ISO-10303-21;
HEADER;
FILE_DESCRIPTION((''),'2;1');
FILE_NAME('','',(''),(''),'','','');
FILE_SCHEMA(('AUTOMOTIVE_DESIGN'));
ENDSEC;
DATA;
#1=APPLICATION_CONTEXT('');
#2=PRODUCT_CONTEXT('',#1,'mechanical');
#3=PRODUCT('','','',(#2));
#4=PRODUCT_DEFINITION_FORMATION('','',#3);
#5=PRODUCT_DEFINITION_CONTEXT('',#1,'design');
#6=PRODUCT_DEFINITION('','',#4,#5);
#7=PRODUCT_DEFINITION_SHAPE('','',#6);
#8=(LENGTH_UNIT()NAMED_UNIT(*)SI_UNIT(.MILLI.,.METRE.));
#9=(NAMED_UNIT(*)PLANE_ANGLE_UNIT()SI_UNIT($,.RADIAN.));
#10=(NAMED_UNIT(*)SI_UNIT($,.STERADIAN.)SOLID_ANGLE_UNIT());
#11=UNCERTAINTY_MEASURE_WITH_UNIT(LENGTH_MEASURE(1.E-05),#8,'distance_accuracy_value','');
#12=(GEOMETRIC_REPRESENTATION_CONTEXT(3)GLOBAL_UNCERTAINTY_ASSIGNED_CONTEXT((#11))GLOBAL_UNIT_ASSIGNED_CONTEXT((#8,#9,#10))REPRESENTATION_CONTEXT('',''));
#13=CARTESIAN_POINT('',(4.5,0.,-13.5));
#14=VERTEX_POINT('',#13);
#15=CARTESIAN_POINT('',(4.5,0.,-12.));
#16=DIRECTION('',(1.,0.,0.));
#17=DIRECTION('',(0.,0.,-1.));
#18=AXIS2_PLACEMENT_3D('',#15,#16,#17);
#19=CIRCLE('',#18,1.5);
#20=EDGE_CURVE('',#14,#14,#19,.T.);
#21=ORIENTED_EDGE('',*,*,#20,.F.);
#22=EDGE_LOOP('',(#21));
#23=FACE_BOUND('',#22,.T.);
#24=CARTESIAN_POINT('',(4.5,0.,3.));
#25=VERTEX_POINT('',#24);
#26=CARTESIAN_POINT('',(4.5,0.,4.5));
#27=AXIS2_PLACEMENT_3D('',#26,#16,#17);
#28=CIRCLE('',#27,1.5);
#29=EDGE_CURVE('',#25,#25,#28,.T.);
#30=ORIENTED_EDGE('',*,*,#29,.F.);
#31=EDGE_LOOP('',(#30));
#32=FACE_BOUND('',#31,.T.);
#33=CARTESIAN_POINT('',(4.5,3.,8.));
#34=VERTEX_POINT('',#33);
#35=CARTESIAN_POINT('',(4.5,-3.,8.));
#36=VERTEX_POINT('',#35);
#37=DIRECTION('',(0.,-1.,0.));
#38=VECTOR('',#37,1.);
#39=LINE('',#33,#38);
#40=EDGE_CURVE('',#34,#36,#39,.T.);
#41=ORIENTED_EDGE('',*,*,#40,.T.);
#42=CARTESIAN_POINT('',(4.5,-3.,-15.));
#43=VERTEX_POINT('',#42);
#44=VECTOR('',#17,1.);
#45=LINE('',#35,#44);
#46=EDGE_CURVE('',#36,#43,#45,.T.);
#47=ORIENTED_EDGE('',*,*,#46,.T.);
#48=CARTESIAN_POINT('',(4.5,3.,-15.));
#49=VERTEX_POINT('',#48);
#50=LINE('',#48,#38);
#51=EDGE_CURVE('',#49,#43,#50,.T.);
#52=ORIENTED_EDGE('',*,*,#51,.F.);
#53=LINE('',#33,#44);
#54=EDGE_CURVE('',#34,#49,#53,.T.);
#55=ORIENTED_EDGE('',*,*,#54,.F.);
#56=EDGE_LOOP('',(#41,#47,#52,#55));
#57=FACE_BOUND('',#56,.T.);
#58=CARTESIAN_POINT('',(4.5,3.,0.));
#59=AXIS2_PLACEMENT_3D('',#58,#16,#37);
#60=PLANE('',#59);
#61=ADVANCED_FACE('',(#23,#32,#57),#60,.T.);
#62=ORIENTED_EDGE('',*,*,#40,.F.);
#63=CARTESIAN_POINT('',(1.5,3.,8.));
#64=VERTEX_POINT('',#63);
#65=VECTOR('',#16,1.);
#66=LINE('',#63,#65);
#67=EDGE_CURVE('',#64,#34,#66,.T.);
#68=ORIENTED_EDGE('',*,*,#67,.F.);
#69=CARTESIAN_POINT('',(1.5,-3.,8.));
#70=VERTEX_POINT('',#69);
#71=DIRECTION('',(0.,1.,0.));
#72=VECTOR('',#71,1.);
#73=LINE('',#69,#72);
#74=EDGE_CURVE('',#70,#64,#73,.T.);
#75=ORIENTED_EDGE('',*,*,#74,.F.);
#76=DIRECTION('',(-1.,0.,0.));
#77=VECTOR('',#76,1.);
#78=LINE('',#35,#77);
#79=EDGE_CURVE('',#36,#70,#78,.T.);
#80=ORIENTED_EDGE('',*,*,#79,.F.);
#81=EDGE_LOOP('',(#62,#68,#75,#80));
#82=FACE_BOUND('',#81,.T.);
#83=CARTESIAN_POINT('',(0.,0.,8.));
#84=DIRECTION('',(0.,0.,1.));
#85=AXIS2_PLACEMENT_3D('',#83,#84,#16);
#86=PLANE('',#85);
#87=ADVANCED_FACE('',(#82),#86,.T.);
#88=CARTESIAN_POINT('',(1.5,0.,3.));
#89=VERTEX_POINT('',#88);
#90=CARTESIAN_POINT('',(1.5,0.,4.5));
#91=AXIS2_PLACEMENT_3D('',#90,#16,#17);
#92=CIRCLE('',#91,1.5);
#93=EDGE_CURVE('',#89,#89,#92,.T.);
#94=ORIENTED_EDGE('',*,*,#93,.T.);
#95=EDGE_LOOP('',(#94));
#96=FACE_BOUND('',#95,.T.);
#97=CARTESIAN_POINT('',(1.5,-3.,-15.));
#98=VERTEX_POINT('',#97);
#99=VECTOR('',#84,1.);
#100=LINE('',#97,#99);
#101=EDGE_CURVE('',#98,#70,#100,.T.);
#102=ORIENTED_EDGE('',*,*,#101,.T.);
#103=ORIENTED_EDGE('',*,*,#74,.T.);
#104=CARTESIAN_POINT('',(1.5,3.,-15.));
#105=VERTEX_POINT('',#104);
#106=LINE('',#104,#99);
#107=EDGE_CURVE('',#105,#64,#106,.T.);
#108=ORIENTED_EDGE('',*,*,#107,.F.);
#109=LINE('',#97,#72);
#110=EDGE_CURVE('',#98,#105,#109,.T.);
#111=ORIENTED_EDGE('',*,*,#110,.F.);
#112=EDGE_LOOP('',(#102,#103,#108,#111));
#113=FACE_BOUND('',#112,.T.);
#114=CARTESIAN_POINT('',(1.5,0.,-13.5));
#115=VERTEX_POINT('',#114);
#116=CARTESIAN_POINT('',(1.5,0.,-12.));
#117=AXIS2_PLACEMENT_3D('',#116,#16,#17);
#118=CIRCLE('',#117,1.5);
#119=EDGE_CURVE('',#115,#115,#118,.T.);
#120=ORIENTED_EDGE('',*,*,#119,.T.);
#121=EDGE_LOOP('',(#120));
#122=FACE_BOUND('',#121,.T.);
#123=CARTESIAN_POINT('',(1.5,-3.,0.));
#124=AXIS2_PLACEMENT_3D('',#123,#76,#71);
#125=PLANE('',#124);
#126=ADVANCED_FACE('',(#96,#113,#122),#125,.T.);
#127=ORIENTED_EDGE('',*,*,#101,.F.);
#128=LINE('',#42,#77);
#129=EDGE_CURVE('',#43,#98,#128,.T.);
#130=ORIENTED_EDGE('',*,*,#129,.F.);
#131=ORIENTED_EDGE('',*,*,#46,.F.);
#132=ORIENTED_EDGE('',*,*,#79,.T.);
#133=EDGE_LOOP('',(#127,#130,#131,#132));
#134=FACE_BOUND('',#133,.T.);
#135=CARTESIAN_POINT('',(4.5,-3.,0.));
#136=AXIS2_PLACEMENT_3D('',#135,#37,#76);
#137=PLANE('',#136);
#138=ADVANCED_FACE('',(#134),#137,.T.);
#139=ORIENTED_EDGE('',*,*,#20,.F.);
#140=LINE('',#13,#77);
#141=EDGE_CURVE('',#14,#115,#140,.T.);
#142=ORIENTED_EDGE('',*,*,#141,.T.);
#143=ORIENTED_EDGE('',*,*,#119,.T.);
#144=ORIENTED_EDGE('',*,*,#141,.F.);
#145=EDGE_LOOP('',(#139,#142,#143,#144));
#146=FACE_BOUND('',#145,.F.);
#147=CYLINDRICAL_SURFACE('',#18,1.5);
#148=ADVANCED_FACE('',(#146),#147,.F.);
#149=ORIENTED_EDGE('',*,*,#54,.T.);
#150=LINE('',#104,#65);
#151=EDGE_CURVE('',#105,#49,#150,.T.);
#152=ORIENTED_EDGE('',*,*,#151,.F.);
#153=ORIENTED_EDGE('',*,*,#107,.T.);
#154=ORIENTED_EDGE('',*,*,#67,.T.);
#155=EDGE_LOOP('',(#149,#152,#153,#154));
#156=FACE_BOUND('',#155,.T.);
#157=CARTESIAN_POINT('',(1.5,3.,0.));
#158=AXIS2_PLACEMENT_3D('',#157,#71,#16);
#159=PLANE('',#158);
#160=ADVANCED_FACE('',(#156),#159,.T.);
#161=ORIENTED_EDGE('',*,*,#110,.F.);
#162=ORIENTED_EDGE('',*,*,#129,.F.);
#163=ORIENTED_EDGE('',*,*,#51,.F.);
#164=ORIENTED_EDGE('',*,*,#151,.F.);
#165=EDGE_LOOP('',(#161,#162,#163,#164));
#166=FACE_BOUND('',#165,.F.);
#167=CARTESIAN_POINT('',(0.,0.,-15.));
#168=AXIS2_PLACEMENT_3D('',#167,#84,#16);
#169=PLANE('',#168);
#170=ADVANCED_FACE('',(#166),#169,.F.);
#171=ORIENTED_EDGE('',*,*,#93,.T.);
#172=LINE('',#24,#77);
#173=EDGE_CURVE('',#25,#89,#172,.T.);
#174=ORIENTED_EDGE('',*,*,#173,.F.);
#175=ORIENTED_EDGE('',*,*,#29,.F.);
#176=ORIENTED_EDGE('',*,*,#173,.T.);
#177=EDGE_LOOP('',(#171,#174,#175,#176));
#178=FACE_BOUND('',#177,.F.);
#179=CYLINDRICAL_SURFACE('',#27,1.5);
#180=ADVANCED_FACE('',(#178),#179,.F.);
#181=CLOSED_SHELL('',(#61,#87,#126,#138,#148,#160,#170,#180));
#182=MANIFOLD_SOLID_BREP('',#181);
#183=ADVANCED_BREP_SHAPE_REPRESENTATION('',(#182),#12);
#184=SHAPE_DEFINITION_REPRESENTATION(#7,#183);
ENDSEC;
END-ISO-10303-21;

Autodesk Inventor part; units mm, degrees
ref_plane "YZ Plane" through (0, 0, 0) normal (1, 0, 0) x (0, 1, 0)
ref_plane "XZ Plane" through (0, 0, 0) normal (0, 1, 0) x (-1, 0, 0)
ref_plane "XY Plane" through (0, 0, 0) normal (0, 0, 1) x (1, 0, 0)
sketch "Sketch1" plane through (0, 0, 0) normal (0, 0, 1) x (1, 0, 0)
  line L0 (1.5, 3) -> (4.5, 3) projected
  line L1 (4.5, 3) -> (4.5, -3) projected
  line L2 (4.5, -3) -> (1.5, -3) projected
  line L3 (1.5, -3) -> (1.5, 3) projected
  point P0 (0, 0)
extrude "Extrusion1" add sketch "Sketch1" along normal blind 8 and the other way blind 15
sketch "Sketch2" plane through (4.5, -3, 8) normal (1, 0, 0) x (0, 0, -1)
  circle A0 centre (3.5, 3) radius 1.5
  circle A1 centre (20, 3) radius 1.5
  line L0 (8, 7.2683) -> (8, -1.2683) construction
  point P0 (8, 3)
  dimension "d4" = 3
  dimension "d5" = 3
  dimension "d6" = 12
  dimension "d7" = 4.5
extrude "Extrusion2" cut sketch "Sketch2" against normal blind 8
properties part number "Bearing crossbar"
